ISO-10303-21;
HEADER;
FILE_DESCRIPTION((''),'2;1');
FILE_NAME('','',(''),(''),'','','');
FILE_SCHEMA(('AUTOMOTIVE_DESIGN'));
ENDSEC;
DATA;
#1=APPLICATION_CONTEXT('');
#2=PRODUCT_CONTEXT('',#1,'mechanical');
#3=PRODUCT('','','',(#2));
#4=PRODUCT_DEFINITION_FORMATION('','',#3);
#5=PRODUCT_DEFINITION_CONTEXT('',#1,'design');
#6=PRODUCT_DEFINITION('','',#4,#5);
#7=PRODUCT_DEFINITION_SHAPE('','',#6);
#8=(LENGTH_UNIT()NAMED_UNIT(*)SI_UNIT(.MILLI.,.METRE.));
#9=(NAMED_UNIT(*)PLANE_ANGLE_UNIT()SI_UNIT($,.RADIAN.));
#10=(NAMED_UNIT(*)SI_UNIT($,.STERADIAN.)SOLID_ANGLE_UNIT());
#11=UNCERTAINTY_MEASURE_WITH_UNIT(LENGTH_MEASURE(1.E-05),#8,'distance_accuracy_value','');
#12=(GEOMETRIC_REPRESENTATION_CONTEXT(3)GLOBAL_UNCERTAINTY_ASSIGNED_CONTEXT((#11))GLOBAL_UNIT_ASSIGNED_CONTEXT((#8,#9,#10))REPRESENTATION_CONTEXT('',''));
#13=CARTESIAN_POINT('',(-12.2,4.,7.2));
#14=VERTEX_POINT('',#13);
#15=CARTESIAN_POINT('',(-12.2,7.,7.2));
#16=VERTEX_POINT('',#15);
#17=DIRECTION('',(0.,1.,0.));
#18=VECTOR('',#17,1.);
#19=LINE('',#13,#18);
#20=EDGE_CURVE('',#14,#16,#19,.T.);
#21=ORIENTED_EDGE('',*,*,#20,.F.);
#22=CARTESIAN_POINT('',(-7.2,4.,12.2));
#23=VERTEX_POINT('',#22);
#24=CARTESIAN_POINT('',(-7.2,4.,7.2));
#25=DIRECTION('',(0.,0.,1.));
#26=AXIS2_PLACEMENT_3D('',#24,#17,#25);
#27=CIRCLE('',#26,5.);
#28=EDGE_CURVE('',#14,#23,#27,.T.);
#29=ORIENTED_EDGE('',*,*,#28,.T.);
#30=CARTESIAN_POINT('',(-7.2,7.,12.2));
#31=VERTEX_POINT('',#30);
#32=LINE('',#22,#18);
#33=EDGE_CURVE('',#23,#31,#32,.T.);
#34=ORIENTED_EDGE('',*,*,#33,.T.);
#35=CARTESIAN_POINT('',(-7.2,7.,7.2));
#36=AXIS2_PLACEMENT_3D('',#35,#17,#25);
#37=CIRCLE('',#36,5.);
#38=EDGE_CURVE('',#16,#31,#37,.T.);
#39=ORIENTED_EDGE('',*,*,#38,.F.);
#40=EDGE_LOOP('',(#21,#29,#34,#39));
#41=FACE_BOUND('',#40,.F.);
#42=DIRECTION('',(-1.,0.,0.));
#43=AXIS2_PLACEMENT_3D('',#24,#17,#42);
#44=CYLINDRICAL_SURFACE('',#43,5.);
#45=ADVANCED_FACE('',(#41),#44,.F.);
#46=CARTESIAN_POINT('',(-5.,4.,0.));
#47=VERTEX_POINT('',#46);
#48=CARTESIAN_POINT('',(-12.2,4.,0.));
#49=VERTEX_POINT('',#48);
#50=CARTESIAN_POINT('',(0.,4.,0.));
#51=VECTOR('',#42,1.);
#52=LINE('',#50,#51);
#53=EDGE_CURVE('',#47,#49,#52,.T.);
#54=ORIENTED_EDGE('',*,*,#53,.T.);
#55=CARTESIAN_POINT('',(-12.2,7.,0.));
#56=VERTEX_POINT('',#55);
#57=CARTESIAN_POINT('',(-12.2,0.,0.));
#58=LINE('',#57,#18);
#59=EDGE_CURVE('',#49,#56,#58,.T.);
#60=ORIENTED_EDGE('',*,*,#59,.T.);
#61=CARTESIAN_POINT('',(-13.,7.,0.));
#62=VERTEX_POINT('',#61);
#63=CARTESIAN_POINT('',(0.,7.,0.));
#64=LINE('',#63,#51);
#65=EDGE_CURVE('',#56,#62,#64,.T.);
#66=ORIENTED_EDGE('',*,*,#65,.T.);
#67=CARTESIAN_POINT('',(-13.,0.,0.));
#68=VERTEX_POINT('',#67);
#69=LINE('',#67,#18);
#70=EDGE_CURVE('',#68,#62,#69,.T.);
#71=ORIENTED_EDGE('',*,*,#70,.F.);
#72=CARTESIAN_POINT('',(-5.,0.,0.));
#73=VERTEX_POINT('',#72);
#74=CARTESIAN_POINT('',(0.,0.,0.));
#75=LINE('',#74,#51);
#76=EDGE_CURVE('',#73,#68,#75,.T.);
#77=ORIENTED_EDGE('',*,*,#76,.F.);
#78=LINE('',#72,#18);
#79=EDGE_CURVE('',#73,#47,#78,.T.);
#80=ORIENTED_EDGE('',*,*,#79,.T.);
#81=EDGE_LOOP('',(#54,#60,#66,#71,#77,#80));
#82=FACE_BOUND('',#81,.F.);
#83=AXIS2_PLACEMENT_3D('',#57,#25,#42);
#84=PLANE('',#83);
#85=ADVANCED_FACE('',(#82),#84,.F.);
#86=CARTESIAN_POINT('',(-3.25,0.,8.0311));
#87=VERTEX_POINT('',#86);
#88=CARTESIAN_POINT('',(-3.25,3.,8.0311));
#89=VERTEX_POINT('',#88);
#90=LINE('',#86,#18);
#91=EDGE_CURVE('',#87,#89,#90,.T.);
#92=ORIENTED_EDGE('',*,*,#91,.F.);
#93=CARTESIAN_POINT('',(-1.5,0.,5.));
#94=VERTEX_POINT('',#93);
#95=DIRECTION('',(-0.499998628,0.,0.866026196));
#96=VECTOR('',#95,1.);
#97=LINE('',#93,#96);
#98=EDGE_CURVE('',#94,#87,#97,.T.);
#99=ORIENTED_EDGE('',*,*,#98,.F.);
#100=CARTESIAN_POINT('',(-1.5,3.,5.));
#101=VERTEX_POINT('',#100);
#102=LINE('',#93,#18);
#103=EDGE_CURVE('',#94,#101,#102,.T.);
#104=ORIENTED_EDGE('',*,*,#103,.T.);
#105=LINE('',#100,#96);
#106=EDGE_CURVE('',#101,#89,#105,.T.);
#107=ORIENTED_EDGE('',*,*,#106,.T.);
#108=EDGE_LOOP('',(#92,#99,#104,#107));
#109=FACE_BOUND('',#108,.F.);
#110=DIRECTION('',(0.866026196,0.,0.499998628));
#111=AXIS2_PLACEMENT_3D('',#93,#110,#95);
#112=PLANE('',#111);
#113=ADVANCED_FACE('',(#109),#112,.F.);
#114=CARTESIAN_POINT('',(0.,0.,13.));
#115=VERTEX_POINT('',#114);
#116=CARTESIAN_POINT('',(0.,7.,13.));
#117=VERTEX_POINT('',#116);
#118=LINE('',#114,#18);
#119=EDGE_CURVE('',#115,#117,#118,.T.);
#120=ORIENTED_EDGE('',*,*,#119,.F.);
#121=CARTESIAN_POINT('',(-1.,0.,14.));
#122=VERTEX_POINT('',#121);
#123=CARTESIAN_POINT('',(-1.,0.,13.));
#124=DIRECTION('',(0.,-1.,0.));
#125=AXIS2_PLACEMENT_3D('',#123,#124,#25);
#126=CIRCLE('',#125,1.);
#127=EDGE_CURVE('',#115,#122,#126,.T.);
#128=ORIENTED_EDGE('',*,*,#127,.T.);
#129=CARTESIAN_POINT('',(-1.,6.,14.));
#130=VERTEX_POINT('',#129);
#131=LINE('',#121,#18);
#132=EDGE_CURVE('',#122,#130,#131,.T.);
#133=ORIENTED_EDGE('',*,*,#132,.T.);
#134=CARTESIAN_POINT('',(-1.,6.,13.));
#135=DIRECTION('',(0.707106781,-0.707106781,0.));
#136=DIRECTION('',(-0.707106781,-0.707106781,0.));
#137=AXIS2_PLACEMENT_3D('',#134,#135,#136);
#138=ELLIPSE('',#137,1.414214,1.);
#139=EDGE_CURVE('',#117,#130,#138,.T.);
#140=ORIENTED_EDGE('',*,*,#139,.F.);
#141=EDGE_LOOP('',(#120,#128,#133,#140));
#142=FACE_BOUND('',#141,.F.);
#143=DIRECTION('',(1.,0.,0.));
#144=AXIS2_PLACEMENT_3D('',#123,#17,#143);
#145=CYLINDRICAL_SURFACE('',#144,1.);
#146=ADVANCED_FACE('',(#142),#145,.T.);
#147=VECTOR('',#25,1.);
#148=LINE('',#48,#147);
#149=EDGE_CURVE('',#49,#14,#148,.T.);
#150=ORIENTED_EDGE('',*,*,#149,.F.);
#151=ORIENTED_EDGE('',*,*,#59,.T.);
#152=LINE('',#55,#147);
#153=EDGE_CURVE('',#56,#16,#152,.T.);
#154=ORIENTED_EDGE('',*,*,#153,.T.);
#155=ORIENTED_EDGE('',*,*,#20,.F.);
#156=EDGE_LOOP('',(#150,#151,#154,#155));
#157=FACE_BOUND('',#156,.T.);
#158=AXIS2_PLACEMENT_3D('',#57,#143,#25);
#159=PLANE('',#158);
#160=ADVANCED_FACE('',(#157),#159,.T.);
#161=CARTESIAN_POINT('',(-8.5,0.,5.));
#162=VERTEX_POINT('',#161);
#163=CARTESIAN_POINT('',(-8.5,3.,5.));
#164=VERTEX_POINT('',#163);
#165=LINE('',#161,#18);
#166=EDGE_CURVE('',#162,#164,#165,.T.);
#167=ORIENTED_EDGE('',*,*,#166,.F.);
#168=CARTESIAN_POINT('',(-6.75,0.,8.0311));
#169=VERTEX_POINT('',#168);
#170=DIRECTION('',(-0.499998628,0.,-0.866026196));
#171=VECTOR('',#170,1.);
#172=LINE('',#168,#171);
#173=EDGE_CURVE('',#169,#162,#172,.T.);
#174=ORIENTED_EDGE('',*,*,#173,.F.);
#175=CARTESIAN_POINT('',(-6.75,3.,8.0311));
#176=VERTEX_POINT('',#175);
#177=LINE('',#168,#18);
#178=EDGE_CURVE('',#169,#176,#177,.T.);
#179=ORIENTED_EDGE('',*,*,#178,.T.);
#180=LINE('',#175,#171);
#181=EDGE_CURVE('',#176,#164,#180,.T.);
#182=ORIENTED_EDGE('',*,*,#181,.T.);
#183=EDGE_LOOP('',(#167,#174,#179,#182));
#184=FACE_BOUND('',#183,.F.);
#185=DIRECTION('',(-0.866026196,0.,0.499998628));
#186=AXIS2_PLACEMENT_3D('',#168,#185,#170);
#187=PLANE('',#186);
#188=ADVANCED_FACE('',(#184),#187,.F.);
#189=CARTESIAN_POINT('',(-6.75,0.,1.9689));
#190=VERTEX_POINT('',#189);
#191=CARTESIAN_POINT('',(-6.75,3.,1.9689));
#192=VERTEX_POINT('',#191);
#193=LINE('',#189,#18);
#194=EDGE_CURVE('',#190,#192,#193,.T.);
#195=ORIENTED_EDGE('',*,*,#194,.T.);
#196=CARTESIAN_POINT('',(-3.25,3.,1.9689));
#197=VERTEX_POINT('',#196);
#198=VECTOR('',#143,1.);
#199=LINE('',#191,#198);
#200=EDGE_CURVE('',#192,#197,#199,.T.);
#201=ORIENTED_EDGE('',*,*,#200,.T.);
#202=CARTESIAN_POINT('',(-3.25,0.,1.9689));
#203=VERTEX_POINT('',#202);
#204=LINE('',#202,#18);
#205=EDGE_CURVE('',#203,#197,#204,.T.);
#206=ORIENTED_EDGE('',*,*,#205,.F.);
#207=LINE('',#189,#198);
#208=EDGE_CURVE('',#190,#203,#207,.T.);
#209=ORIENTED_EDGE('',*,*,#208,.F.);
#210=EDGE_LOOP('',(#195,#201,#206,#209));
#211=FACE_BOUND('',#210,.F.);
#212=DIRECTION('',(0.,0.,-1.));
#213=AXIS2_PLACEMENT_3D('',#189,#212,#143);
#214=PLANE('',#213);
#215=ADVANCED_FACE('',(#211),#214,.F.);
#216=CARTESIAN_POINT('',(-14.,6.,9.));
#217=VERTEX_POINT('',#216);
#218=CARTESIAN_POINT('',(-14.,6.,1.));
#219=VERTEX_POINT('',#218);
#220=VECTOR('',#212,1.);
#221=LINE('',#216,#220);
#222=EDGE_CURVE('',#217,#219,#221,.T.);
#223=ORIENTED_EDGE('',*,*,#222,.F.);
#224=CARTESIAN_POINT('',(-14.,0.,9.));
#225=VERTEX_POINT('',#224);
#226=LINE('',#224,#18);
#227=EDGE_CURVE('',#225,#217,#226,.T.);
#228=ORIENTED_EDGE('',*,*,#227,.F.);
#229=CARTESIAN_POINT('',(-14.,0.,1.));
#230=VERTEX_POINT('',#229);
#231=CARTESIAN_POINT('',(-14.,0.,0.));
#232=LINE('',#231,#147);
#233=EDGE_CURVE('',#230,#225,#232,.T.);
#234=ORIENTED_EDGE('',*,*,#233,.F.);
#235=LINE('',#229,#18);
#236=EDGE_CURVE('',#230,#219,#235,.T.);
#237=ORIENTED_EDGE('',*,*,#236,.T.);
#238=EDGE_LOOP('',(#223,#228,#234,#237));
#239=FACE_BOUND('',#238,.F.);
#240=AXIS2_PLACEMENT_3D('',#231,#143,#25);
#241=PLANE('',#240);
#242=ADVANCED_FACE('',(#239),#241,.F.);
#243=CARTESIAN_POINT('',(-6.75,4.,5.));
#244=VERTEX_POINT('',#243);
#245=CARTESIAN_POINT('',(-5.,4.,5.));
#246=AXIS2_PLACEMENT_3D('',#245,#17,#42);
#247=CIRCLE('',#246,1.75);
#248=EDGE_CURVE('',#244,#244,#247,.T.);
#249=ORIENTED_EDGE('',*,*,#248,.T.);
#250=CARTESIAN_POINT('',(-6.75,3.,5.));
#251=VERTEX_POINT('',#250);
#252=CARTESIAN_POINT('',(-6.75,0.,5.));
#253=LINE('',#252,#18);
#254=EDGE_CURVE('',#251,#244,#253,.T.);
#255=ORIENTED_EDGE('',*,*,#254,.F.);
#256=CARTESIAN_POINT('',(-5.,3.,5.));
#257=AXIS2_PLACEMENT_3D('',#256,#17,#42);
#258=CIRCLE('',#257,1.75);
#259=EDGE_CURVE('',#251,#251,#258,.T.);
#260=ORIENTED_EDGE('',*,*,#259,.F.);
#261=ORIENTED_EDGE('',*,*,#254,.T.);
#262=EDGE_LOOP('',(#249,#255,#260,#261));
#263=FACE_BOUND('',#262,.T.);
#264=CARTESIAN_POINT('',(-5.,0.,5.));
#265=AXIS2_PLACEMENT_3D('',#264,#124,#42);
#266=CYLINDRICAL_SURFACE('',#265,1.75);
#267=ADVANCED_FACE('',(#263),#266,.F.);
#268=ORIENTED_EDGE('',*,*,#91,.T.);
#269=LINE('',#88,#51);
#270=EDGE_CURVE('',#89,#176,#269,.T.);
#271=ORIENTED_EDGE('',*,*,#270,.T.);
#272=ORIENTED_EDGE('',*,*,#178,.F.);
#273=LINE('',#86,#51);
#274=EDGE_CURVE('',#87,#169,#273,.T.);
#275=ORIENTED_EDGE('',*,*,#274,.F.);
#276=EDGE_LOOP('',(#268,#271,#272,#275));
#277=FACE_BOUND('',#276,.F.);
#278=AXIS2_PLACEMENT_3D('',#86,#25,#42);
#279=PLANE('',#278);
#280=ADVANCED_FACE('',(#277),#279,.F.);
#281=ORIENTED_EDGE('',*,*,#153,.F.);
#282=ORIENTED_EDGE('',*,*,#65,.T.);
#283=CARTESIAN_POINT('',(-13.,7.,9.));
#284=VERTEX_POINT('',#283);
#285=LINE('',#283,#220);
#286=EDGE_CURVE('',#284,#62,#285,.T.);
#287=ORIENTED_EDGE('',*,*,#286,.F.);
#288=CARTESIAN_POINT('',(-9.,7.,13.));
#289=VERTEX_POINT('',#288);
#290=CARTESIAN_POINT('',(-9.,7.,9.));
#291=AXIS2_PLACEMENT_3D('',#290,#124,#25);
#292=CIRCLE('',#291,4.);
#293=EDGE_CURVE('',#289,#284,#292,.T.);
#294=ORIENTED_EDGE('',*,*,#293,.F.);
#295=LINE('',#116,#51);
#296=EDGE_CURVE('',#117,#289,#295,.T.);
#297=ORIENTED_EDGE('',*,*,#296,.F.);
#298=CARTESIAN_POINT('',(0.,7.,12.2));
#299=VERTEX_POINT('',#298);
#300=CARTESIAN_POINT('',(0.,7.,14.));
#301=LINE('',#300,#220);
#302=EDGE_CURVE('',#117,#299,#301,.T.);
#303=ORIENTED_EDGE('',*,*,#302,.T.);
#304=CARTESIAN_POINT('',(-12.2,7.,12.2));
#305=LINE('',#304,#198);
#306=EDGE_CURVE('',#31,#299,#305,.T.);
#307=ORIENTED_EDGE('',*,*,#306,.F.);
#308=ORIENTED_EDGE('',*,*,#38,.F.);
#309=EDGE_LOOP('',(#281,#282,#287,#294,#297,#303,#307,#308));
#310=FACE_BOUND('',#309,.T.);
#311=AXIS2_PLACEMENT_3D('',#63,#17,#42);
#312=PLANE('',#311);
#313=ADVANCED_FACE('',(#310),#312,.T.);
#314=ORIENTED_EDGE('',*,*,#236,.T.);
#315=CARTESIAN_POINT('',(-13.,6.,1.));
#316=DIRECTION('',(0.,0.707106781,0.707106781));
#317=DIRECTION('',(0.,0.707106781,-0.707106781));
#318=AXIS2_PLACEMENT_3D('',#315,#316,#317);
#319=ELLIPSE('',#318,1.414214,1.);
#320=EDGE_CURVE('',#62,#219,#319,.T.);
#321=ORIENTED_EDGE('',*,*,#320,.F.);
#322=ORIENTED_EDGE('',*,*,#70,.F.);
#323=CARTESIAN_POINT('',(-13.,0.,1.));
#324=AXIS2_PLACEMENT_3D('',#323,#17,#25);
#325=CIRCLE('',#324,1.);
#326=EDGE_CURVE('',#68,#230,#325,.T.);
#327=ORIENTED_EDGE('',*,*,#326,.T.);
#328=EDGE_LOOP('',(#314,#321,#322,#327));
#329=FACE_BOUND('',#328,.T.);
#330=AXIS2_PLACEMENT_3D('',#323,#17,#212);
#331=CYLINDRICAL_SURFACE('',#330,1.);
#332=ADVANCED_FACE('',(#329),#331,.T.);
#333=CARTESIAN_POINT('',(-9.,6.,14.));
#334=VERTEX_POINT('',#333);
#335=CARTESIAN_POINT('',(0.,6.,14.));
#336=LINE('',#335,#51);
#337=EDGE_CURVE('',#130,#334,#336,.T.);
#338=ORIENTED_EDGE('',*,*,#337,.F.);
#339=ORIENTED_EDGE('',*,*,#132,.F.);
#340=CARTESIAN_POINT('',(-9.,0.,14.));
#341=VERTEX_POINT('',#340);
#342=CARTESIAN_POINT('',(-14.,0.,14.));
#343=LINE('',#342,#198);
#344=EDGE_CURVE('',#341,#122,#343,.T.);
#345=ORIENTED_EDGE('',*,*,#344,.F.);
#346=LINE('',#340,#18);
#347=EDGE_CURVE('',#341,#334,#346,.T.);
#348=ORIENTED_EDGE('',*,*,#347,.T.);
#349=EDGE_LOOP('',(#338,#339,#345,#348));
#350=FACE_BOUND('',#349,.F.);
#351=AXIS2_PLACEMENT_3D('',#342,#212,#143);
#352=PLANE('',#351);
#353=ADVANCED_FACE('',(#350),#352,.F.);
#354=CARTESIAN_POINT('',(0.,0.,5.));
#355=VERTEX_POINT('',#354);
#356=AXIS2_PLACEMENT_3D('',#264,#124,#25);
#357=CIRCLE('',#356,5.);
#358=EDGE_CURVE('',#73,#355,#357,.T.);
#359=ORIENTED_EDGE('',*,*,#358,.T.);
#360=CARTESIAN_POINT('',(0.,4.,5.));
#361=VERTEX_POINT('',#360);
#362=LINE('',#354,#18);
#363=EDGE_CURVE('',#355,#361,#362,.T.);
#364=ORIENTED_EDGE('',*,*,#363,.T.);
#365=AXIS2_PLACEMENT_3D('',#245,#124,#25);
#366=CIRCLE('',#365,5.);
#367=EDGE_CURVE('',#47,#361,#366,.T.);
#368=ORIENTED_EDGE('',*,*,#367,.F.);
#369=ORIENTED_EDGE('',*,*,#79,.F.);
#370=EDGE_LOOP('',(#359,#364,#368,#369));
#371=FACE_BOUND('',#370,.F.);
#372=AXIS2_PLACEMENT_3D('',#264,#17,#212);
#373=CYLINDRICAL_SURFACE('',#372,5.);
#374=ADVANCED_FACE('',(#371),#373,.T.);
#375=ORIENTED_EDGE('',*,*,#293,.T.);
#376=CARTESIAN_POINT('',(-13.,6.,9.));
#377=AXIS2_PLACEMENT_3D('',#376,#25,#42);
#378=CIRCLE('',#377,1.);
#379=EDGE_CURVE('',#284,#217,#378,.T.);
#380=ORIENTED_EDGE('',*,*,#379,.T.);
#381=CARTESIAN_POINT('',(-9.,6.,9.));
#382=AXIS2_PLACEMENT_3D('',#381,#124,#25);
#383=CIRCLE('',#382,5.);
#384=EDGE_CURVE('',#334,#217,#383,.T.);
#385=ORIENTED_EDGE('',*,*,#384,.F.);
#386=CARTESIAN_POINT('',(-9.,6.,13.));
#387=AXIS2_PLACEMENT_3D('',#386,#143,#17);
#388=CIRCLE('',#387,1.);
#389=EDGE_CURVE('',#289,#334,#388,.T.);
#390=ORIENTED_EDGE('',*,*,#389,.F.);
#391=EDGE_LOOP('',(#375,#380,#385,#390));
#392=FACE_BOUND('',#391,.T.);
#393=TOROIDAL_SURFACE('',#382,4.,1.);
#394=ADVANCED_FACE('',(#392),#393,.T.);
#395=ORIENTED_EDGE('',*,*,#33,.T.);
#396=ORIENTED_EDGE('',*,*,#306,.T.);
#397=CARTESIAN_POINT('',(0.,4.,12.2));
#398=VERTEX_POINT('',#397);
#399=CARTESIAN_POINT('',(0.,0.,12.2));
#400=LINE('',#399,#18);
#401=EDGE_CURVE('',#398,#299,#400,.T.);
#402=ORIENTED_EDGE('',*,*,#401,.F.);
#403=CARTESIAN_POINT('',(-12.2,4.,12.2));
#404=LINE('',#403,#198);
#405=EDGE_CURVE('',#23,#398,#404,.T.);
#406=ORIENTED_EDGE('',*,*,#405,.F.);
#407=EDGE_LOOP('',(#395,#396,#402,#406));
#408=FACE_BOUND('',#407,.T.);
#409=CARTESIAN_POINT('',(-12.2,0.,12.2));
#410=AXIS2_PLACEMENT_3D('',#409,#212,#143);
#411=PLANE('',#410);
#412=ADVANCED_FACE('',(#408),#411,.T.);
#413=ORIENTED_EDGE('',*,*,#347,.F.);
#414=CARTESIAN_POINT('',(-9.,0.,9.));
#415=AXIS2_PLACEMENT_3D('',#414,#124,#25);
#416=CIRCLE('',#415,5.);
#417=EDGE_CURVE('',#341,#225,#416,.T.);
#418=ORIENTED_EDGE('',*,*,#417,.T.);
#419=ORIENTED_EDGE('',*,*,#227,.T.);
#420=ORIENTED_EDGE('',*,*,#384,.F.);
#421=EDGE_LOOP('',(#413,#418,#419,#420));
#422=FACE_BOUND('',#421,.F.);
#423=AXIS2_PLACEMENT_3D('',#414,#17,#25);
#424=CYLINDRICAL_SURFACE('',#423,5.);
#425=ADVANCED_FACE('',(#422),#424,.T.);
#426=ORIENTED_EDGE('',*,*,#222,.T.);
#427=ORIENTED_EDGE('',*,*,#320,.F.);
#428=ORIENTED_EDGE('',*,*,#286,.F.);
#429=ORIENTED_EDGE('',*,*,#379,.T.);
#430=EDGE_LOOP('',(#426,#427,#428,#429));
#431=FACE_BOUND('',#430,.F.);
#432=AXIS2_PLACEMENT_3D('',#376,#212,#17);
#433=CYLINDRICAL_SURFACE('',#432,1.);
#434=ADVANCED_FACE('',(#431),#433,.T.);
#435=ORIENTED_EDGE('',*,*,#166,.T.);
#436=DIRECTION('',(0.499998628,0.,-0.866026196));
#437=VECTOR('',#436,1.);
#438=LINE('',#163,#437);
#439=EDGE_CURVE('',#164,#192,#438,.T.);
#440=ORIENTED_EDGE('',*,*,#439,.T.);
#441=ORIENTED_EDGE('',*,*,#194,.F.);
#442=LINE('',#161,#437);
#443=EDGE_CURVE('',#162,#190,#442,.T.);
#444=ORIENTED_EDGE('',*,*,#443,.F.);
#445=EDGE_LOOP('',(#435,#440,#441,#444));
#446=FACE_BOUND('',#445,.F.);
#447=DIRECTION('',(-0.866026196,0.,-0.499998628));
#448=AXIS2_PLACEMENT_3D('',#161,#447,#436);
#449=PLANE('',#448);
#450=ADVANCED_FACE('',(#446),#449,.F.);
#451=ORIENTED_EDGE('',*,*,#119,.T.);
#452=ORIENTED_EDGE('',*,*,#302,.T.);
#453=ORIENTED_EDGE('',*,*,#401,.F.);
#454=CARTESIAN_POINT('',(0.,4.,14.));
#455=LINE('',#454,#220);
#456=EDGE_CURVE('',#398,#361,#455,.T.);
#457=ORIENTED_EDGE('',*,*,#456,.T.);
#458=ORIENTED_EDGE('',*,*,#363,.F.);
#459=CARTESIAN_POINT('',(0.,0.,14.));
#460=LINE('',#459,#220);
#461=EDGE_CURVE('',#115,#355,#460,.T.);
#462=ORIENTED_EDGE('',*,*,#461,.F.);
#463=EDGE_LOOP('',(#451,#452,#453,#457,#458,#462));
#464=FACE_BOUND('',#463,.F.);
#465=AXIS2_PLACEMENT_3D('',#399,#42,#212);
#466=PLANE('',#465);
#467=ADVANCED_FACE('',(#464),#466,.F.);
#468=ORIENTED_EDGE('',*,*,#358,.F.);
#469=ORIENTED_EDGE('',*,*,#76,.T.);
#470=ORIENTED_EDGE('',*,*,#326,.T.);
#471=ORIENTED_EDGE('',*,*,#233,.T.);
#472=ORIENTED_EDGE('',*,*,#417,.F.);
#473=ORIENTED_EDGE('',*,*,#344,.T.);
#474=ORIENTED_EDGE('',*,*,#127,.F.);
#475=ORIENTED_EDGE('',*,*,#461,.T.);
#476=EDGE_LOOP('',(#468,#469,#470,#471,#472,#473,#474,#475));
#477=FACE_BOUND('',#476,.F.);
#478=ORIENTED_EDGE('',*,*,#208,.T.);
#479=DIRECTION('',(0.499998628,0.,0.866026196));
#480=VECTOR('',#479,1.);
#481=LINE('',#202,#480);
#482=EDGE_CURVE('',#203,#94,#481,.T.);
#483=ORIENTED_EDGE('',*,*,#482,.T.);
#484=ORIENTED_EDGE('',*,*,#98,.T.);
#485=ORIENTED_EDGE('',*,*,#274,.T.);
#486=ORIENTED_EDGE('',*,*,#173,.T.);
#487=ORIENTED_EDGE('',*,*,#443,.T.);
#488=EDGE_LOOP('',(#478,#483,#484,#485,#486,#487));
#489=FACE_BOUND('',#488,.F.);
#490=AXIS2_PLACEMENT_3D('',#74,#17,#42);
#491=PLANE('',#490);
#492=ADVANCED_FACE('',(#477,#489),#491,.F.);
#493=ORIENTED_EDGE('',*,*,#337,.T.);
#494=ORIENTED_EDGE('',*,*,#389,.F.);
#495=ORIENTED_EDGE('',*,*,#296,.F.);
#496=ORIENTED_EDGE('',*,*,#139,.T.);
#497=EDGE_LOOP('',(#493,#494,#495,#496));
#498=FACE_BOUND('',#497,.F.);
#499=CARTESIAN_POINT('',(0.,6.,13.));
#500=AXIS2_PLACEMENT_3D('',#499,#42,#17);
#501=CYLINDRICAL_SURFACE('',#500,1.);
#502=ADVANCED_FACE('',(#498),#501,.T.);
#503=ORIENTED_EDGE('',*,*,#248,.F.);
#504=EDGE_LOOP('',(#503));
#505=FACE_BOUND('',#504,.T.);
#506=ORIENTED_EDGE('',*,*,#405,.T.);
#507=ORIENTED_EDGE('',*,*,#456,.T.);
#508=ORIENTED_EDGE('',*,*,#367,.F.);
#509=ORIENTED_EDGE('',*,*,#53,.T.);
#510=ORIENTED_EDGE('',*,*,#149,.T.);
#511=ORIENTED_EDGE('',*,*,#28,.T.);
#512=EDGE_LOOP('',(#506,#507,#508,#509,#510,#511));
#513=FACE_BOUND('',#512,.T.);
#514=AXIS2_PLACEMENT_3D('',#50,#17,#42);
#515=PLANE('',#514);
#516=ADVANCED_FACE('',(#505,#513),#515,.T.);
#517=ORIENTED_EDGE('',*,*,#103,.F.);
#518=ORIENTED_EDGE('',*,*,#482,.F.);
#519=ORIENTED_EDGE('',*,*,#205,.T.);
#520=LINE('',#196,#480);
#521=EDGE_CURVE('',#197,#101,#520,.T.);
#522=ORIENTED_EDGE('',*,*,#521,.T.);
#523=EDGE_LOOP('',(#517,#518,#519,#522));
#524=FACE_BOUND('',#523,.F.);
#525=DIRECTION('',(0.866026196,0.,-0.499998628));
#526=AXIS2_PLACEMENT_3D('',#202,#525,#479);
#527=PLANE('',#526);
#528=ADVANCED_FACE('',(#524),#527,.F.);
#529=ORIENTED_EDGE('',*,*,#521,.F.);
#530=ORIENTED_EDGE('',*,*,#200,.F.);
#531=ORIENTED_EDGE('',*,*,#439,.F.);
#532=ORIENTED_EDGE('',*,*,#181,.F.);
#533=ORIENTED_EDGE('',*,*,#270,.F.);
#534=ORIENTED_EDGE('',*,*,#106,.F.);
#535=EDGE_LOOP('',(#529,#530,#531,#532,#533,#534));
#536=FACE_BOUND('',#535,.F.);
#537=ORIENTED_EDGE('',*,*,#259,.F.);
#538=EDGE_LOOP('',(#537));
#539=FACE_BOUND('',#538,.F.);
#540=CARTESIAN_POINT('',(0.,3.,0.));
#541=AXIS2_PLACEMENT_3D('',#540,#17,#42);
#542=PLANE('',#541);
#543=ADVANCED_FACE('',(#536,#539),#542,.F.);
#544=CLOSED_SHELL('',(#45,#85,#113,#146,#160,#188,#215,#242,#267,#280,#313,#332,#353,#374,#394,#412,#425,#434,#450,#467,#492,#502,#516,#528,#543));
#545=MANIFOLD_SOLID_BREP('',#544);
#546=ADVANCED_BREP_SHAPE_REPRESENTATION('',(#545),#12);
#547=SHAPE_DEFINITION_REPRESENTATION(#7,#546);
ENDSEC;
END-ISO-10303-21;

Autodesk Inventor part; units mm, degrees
ref_plane "YZ Plane" through (0, 0, 0) normal (1, 0, 0) x (0, 1, 0)
ref_plane "XZ Plane" through (0, 0, 0) normal (0, 1, 0) x (-1, 0, 0)
ref_plane "XY Plane" through (0, 0, 0) normal (0, 0, 1) x (1, 0, 0)
sketch "Sketch1" plane through (0, 0, 0) normal (0, 1, 0) x (-1, 0, 0)
  line L0 (0, 0) -> (14, 0)
  line L1 (14, 0) -> (14, 14)
  line L2 (14, 14) -> (0, 14)
  line L3 (0, 14) -> (0, 0)
  circle A0 centre (5, 5) radius 1.75
  line L4 (0, 0) -> (12.2, 0)
  line L5 (12.2, 0) -> (12.2, 12.2)
  line L6 (12.2, 12.2) -> (0, 12.2)
  line L7 (0, 12.2) -> (0, 0)
  circle A1 centre (5, 5) radius 3.5
  line L8 (1.5, 5) -> (3.25, 8.0311)
  line L9 (3.25, 8.0311) -> (6.75, 8.0311)
  line L10 (6.75, 8.0311) -> (8.5, 5)
  line L11 (8.5, 5) -> (6.75, 1.9689)
  line L12 (6.75, 1.9689) -> (3.25, 1.9689)
  line L13 (3.25, 1.9689) -> (1.5, 5)
  dimension "d19" = 7
  dimension "d0" = 14
  dimension "d1" = 14
  dimension "d2" = 3.5
  dimension "d3" = 5
  dimension "d4" = 5
  dimension "d5" = 12.2
  dimension "d6" = 12.2
extrude "Extrusion3" add sketch "Sketch1" along normal blind 4 contours L3 L6 L5 L0 | L10 A1 | L11 L12 L13 L8 L9 L10 | A1 L11 | L9 A1 | A1 L12 | L8 A1 | A1 L13
extrude "Extrusion4" add sketch "Sketch1" along normal blind 7 contours L5 L6 L3 L2 L1 L0
fillet "Fillet3" radius 5 3 edges at (0, 2, 0) (-12.2, 5.5, 12.2) (-14, 3.5, 14)
fillet "Fillet4" radius 1 5 edges at (-12.5355, 7, 12.5355) (-4.5, 7, 14) (-14, 7, 4.5) (-14, 3.5, 0) (0, 3.5, 14)
extrude "Extrusion5" cut sketch "Sketch1" along normal blind 3 contours L11 L12 L13 L8 L9 L10
properties part number "RxBoardMountFootWithNut"
